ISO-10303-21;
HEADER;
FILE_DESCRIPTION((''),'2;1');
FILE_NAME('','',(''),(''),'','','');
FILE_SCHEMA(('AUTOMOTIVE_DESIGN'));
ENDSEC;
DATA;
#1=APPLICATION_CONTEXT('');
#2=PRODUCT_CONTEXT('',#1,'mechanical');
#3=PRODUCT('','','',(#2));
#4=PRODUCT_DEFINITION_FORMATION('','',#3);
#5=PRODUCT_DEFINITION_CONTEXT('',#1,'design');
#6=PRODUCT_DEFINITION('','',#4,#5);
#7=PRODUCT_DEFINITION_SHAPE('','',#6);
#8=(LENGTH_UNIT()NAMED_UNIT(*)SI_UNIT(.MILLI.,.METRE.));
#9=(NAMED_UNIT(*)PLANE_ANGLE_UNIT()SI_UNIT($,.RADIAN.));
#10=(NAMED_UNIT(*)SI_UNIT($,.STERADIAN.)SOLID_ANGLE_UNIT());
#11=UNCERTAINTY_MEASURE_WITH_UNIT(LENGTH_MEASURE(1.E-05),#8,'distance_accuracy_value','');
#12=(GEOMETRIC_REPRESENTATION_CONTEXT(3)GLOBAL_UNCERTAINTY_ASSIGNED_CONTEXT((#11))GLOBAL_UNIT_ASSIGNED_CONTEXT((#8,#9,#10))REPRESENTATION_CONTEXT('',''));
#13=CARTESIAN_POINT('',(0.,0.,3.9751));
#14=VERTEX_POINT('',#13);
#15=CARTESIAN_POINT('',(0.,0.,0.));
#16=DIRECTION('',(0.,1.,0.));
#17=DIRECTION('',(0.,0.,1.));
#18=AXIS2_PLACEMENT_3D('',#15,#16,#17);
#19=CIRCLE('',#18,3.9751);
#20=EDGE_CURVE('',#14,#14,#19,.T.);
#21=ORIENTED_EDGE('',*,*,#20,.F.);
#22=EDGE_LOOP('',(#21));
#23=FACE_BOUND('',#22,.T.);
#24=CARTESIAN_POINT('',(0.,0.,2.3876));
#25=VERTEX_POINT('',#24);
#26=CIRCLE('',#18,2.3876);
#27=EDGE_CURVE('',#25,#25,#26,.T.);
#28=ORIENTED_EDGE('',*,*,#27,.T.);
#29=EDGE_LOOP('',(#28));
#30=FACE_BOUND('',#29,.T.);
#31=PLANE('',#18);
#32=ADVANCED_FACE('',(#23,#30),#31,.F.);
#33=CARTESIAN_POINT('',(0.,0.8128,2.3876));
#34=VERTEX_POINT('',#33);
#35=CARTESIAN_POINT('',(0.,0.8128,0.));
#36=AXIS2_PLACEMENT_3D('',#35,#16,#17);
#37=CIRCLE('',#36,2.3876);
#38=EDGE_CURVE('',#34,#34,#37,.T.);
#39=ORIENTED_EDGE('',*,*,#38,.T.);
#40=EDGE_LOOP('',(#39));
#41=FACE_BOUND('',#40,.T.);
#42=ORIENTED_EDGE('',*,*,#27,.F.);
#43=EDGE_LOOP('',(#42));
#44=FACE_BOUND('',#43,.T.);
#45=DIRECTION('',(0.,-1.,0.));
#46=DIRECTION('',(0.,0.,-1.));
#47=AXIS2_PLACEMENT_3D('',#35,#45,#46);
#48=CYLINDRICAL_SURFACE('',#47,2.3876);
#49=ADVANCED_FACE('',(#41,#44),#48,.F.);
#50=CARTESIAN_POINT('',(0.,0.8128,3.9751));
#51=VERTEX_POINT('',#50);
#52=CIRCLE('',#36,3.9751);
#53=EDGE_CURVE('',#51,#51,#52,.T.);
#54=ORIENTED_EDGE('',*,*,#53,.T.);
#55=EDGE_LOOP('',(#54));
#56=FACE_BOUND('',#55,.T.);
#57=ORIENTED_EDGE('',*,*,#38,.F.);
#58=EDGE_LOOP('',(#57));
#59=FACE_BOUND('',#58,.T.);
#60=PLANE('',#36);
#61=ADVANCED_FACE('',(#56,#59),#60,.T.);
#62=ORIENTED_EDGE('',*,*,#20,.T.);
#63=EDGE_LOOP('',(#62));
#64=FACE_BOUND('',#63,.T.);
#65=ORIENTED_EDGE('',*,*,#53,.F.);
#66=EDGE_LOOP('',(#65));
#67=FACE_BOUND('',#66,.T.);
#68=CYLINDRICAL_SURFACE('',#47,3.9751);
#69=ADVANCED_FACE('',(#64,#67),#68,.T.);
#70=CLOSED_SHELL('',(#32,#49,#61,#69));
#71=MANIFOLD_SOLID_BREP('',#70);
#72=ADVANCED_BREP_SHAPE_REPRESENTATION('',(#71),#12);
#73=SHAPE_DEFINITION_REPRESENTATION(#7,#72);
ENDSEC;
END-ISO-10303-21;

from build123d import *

# Parameters (mm, degrees)
SKETCH1_R           = 3.9751
SKETCH1_R_2         = 2.3876
BOSS_EXTRUDE1_DEPTH = 0.8128


with BuildPart() as part:
    # Sketch1 → Boss-Extrude1 (new body)
    with BuildSketch(Plane(origin=(0, 0, 0), x_dir=(1, 0, 0), z_dir=(0, 1, 0))):
        Circle(SKETCH1_R)
        Circle(SKETCH1_R_2, mode=Mode.SUBTRACT)
    extrude(amount=BOSS_EXTRUDE1_DEPTH)


solid = part.part
